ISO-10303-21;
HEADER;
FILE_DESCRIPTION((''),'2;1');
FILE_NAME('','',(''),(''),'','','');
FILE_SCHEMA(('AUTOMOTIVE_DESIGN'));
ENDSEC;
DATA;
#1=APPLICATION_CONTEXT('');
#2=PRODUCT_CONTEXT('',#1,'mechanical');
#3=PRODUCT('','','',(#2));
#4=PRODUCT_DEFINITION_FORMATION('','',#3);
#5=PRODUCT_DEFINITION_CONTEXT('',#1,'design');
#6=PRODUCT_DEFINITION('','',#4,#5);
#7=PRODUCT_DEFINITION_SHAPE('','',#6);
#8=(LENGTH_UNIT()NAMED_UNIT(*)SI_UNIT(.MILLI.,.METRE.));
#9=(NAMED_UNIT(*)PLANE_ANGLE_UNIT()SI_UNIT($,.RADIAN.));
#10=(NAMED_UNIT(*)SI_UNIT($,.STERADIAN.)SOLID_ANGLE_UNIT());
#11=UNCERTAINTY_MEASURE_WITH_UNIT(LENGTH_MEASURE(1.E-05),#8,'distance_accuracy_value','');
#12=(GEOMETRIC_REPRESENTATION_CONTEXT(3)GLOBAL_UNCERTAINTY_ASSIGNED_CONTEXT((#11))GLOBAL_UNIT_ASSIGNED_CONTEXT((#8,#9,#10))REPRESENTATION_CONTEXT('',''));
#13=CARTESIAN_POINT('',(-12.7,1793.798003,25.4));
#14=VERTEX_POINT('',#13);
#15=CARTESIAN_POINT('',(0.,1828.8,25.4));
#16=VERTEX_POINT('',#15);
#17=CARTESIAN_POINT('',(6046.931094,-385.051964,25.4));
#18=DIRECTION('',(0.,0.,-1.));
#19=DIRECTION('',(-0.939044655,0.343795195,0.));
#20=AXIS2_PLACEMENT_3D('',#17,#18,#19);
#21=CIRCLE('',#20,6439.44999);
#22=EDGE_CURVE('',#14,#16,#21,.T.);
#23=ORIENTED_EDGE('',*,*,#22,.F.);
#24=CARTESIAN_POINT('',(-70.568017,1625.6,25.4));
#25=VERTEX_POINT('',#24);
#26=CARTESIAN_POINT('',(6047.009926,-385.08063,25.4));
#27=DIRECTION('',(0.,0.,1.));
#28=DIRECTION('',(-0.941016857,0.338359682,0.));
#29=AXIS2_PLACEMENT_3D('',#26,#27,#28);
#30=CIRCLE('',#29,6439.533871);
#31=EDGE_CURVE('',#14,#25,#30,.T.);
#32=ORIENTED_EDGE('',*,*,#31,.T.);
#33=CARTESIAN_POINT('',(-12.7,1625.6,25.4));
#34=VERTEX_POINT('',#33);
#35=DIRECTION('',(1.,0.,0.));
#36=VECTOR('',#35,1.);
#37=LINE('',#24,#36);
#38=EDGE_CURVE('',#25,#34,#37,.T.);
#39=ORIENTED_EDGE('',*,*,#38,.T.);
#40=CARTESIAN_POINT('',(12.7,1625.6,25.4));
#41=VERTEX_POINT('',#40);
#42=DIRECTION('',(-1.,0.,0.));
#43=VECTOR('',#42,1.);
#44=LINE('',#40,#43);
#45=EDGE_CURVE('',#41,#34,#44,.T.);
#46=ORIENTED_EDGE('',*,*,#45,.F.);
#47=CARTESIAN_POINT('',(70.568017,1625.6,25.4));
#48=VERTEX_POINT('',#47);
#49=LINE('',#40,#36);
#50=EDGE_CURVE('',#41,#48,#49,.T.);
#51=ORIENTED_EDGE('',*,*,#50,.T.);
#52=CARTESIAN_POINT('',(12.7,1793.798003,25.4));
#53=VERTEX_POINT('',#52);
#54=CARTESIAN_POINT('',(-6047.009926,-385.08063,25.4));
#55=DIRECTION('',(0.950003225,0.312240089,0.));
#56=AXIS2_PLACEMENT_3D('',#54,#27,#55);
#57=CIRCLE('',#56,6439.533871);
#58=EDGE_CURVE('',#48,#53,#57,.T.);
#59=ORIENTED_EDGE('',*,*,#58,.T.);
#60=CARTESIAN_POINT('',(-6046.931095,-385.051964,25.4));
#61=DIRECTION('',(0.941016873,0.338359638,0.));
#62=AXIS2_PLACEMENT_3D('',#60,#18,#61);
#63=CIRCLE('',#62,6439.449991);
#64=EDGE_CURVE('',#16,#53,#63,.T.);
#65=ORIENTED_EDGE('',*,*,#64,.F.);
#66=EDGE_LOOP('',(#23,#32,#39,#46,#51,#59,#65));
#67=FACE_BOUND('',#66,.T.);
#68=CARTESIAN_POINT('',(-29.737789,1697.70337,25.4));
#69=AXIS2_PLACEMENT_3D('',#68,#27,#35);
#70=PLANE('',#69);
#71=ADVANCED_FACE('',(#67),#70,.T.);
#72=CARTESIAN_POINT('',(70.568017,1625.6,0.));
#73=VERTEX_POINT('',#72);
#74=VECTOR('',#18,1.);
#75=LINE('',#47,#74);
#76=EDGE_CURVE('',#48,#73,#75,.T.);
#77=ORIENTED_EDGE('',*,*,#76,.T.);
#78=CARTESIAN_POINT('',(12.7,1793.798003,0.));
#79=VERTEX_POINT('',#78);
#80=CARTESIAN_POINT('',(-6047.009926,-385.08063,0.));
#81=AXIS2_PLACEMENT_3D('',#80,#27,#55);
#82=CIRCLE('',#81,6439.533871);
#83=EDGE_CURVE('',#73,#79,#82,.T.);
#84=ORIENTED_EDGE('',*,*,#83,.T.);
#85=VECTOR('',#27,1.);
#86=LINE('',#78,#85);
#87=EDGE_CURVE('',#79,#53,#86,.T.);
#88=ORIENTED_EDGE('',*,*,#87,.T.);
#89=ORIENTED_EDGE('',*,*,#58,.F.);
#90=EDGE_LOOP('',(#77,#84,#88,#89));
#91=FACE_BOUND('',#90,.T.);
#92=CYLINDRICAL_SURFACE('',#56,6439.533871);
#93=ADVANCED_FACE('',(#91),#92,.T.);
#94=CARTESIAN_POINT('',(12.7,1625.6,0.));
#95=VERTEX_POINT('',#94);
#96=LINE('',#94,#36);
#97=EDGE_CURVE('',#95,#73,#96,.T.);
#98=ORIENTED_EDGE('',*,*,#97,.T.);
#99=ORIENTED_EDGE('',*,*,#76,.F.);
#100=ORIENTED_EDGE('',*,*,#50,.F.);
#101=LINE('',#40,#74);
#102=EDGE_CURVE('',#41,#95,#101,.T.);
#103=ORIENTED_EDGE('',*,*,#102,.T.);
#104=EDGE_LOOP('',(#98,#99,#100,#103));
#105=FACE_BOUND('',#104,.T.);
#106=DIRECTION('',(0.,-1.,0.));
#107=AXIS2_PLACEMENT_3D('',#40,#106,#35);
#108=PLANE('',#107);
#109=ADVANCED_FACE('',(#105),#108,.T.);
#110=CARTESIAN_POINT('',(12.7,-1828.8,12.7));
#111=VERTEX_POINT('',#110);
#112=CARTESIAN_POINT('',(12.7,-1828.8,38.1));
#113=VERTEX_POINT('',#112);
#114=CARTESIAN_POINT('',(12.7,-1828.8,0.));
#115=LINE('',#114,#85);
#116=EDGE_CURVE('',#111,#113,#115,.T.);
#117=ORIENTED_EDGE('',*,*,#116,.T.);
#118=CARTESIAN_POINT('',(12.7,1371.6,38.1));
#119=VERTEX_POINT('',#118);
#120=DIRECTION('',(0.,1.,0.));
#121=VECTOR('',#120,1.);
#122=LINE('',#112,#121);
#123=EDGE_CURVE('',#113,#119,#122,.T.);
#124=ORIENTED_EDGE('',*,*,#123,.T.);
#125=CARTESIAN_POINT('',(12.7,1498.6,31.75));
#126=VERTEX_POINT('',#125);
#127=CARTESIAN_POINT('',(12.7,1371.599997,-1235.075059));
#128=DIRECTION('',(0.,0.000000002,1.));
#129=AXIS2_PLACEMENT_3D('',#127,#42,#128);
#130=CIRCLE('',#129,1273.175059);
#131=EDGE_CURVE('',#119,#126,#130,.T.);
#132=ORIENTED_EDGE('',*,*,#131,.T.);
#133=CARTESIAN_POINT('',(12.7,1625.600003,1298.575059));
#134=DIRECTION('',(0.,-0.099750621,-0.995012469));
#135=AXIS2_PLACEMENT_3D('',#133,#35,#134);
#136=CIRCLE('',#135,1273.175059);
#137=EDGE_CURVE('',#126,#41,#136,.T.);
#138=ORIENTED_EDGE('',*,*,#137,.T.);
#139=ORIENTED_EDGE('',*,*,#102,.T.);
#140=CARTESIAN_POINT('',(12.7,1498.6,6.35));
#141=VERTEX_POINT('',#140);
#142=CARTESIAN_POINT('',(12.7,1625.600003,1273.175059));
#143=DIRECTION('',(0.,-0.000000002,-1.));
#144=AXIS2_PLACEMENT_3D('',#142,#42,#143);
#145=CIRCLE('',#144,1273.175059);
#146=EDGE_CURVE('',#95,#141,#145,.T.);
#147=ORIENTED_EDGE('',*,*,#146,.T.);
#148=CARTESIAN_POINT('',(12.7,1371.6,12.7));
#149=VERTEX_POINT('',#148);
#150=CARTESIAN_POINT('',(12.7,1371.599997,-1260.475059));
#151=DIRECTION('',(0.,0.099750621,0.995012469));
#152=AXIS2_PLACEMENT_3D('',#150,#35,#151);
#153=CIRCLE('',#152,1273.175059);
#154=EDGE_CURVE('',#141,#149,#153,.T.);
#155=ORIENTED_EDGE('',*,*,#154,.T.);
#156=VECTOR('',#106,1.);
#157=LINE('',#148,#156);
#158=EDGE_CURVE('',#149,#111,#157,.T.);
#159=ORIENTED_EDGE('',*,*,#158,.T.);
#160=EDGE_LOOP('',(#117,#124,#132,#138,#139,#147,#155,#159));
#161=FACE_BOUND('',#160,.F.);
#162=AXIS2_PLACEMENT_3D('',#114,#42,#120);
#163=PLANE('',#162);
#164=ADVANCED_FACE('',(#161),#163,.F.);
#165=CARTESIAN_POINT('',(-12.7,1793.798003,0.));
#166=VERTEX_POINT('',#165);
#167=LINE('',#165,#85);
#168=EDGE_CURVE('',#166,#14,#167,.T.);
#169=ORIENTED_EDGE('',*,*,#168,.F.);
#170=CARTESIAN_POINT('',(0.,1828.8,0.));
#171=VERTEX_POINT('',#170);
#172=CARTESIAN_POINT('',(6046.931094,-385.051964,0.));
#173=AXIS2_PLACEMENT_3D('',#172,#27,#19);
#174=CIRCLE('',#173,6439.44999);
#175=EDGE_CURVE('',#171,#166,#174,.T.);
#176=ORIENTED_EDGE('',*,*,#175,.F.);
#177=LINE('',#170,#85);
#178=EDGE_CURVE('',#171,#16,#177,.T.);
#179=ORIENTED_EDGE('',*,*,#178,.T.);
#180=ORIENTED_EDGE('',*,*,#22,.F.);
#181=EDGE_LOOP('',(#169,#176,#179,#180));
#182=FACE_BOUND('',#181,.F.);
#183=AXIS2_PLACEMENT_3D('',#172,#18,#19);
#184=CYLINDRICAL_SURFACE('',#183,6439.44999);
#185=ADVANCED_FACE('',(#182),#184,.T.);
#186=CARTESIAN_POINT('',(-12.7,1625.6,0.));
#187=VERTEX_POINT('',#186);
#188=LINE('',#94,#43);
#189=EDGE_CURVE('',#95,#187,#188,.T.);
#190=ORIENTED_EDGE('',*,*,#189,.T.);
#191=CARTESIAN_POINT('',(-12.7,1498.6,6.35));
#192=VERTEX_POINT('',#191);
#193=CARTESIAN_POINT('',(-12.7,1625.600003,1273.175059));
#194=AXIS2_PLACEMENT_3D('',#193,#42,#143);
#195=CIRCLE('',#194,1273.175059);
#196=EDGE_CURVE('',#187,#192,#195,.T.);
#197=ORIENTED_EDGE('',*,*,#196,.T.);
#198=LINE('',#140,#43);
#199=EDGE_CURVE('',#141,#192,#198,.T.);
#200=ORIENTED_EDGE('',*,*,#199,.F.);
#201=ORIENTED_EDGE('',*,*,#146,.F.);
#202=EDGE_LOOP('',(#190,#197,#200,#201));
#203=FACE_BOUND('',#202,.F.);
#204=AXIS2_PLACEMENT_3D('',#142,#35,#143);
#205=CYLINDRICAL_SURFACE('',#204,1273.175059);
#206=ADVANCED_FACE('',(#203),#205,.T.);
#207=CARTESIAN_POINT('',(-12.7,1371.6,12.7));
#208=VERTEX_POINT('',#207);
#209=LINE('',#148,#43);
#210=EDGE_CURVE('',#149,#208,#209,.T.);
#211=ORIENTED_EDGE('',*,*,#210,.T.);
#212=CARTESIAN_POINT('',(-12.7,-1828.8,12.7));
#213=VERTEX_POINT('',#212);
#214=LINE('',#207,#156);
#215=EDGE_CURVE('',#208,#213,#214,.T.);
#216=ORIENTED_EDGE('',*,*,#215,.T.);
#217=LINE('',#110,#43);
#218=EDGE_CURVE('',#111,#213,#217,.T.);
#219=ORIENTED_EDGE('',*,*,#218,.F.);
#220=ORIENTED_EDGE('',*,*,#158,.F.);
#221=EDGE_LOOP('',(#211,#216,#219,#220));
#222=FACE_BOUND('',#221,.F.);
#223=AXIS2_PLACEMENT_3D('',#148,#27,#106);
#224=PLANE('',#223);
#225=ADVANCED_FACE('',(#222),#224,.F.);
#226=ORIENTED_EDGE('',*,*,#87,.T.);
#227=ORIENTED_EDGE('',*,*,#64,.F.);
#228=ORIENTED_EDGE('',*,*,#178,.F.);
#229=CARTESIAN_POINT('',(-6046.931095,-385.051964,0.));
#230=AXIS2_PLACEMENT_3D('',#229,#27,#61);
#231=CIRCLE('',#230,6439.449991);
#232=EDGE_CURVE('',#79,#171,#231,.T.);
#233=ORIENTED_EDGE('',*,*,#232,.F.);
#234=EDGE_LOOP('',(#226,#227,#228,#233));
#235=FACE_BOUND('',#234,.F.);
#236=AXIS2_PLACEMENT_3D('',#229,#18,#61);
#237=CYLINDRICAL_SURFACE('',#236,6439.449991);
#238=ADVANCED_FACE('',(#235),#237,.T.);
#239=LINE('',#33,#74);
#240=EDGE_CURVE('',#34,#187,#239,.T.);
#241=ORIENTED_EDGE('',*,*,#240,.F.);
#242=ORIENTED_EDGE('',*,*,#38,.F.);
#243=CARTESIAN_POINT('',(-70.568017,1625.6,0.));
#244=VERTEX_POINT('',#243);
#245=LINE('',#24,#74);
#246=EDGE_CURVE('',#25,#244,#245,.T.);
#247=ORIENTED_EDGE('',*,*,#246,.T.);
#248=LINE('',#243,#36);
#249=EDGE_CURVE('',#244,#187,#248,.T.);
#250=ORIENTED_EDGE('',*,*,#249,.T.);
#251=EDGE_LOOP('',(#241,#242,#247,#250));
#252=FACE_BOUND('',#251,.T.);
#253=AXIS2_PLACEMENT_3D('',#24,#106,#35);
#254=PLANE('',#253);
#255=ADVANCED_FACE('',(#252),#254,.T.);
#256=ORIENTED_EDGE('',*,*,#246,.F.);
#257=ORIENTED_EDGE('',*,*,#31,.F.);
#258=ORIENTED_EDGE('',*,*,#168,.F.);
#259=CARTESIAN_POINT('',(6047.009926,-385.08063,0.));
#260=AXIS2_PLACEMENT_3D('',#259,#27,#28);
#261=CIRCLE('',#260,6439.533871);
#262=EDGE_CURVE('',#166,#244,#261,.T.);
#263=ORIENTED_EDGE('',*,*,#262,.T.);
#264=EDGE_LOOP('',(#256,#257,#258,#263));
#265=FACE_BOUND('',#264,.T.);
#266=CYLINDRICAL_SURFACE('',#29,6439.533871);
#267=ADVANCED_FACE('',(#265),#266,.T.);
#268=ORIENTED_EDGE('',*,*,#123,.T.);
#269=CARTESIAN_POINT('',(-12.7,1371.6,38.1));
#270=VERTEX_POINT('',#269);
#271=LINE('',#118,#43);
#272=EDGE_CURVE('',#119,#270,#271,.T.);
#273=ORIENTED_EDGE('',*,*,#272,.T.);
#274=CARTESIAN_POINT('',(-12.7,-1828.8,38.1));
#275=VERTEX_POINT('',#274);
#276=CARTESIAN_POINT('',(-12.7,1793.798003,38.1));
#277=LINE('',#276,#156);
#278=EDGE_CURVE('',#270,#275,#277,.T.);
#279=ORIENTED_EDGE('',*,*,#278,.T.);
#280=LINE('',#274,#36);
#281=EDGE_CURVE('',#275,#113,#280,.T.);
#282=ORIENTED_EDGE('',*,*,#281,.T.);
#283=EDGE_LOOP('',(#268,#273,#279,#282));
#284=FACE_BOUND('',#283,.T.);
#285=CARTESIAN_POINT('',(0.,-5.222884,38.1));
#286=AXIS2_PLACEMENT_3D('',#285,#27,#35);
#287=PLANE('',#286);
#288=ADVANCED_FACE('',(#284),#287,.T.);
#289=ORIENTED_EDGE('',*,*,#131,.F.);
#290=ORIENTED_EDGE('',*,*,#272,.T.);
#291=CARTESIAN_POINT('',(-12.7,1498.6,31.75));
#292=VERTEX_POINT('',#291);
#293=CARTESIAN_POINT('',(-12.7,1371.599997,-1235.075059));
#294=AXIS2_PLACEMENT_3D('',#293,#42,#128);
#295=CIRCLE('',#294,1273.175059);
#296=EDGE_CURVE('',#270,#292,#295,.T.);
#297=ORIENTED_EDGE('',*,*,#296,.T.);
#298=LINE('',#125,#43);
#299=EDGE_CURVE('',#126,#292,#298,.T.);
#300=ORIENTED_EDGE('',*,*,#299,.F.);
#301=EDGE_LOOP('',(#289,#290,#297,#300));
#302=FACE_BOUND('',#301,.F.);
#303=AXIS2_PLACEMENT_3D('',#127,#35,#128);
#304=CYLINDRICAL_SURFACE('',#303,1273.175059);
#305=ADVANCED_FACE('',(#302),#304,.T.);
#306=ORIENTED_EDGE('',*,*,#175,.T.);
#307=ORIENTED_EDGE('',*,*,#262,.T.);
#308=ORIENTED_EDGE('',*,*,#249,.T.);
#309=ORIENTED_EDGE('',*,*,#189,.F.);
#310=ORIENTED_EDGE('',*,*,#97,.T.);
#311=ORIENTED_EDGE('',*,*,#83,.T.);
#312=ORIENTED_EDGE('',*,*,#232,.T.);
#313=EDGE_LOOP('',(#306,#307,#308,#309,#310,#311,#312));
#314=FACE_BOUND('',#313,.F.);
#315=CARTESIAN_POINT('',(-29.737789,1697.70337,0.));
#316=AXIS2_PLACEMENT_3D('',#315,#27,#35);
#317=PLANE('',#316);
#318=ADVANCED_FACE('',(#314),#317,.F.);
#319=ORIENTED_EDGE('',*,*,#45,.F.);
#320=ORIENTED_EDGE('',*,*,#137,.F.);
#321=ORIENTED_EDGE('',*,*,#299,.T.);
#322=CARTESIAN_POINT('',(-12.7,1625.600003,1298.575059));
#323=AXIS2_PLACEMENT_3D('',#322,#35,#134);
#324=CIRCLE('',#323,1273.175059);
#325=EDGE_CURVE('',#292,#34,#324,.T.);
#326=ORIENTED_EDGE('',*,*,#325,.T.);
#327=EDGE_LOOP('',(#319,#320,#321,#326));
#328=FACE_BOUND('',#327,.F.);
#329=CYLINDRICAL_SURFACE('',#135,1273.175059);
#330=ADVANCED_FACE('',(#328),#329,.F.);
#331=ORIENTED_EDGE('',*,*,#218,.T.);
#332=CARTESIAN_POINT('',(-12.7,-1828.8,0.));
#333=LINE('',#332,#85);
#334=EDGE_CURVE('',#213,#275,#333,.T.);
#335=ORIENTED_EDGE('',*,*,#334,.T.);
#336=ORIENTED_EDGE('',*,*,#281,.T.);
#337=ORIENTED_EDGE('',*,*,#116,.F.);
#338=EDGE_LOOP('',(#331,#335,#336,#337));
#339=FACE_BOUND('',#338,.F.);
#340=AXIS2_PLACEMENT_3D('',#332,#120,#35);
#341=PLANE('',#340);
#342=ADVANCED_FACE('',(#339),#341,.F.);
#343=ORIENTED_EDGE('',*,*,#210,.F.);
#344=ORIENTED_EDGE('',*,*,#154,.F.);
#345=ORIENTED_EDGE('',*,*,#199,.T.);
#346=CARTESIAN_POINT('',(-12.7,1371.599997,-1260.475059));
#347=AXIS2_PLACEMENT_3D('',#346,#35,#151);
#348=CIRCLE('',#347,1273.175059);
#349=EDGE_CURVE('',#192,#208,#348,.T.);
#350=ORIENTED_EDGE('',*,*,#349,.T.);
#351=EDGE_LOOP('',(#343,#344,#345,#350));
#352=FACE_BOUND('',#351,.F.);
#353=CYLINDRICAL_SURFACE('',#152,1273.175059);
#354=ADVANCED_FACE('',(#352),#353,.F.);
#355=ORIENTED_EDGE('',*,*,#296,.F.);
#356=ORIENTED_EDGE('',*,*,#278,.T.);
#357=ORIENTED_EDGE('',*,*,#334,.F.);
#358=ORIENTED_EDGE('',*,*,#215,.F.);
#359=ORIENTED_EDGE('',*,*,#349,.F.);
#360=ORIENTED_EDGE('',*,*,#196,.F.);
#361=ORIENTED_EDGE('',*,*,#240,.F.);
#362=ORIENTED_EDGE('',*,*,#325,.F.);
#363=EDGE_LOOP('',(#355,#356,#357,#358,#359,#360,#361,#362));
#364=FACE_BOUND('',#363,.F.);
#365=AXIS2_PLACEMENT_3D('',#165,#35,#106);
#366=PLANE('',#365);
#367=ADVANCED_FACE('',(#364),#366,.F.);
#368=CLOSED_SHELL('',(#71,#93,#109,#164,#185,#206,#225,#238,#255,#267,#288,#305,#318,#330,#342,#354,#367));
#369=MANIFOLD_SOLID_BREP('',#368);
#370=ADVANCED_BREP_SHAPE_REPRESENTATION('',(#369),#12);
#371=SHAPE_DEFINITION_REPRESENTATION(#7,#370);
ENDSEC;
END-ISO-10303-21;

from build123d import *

# Parameters (mm, degrees)
F1_DEPTH = 38.1
F3_DEPTH = 25.4
F5_DEPTH = 25.4


with BuildPart() as f1:
    # F0 (on Top) → F1 (new body)
    with BuildSketch(Plane.XY):
        with BuildLine():
            ThreePointArc((12.7, 1793.798003), (6.375299, 1811.308181), (0, 1828.8))
            ThreePointArc((0, 1828.8), (-6.375299, 1811.308181), (-12.7, 1793.798003))
            Line((-12.7, 1793.798003), (-12.7, -1828.8))
            Line((-12.7, -1828.8), (0, -1828.8))
            Line((0, -1828.8), (12.7, -1828.8))
            Line((12.7, -1828.8), (12.7, 1793.798003))
        make_face()
    extrude(amount=F1_DEPTH)

    # F2 (on face) → F3 (cut)
    with BuildSketch(Plane.YZ.offset(12.7)):
        with BuildLine():
            Line((-1828.8, 12.7), (-1828.8, 0))
            Line((-1828.8, 0), (1625.6, 0))
            ThreePointArc((1625.6, 0), (1562.020675, 1.588491), (1498.6, 6.35))
            ThreePointArc((1498.6, 6.35), (1435.179325, 11.111509), (1371.6, 12.7))
            Line((1371.6, 12.7), (-1828.8, 12.7))
        make_face()
        with BuildLine():
            Line((1625.6, 25.4), (1828.8, 25.4))
            Line((1828.8, 25.4), (1828.8, 38.1))
            Line((1828.8, 38.1), (1371.6, 38.1))
            ThreePointArc((1371.6, 38.1), (1435.179325, 36.511509), (1498.6, 31.75))
            ThreePointArc((1498.6, 31.75), (1562.020675, 26.988491), (1625.6, 25.4))
        make_face()
    extrude(amount=-F3_DEPTH, mode=Mode.SUBTRACT)

    # F4 (on face) → F5 (join)
    with BuildSketch(Plane.XY.offset(25.4)):
        with BuildLine():
            Line((-70.568017, 1625.6), (-12.7, 1625.6))
            Line((-12.7, 1625.6), (-12.7, 1793.798003))
            ThreePointArc((-12.7, 1793.798003), (-42.214787, 1709.898816), (-70.568017, 1625.6))
        make_face()
        with BuildLine():
            Line((12.7, 1793.798003), (12.7, 1625.6))
            Line((12.7, 1625.6), (70.568017, 1625.6))
            ThreePointArc((70.568017, 1625.6), (42.214787, 1709.898816), (12.7, 1793.798003))
        make_face()
    extrude(amount=-F5_DEPTH)


solid = f1.part
